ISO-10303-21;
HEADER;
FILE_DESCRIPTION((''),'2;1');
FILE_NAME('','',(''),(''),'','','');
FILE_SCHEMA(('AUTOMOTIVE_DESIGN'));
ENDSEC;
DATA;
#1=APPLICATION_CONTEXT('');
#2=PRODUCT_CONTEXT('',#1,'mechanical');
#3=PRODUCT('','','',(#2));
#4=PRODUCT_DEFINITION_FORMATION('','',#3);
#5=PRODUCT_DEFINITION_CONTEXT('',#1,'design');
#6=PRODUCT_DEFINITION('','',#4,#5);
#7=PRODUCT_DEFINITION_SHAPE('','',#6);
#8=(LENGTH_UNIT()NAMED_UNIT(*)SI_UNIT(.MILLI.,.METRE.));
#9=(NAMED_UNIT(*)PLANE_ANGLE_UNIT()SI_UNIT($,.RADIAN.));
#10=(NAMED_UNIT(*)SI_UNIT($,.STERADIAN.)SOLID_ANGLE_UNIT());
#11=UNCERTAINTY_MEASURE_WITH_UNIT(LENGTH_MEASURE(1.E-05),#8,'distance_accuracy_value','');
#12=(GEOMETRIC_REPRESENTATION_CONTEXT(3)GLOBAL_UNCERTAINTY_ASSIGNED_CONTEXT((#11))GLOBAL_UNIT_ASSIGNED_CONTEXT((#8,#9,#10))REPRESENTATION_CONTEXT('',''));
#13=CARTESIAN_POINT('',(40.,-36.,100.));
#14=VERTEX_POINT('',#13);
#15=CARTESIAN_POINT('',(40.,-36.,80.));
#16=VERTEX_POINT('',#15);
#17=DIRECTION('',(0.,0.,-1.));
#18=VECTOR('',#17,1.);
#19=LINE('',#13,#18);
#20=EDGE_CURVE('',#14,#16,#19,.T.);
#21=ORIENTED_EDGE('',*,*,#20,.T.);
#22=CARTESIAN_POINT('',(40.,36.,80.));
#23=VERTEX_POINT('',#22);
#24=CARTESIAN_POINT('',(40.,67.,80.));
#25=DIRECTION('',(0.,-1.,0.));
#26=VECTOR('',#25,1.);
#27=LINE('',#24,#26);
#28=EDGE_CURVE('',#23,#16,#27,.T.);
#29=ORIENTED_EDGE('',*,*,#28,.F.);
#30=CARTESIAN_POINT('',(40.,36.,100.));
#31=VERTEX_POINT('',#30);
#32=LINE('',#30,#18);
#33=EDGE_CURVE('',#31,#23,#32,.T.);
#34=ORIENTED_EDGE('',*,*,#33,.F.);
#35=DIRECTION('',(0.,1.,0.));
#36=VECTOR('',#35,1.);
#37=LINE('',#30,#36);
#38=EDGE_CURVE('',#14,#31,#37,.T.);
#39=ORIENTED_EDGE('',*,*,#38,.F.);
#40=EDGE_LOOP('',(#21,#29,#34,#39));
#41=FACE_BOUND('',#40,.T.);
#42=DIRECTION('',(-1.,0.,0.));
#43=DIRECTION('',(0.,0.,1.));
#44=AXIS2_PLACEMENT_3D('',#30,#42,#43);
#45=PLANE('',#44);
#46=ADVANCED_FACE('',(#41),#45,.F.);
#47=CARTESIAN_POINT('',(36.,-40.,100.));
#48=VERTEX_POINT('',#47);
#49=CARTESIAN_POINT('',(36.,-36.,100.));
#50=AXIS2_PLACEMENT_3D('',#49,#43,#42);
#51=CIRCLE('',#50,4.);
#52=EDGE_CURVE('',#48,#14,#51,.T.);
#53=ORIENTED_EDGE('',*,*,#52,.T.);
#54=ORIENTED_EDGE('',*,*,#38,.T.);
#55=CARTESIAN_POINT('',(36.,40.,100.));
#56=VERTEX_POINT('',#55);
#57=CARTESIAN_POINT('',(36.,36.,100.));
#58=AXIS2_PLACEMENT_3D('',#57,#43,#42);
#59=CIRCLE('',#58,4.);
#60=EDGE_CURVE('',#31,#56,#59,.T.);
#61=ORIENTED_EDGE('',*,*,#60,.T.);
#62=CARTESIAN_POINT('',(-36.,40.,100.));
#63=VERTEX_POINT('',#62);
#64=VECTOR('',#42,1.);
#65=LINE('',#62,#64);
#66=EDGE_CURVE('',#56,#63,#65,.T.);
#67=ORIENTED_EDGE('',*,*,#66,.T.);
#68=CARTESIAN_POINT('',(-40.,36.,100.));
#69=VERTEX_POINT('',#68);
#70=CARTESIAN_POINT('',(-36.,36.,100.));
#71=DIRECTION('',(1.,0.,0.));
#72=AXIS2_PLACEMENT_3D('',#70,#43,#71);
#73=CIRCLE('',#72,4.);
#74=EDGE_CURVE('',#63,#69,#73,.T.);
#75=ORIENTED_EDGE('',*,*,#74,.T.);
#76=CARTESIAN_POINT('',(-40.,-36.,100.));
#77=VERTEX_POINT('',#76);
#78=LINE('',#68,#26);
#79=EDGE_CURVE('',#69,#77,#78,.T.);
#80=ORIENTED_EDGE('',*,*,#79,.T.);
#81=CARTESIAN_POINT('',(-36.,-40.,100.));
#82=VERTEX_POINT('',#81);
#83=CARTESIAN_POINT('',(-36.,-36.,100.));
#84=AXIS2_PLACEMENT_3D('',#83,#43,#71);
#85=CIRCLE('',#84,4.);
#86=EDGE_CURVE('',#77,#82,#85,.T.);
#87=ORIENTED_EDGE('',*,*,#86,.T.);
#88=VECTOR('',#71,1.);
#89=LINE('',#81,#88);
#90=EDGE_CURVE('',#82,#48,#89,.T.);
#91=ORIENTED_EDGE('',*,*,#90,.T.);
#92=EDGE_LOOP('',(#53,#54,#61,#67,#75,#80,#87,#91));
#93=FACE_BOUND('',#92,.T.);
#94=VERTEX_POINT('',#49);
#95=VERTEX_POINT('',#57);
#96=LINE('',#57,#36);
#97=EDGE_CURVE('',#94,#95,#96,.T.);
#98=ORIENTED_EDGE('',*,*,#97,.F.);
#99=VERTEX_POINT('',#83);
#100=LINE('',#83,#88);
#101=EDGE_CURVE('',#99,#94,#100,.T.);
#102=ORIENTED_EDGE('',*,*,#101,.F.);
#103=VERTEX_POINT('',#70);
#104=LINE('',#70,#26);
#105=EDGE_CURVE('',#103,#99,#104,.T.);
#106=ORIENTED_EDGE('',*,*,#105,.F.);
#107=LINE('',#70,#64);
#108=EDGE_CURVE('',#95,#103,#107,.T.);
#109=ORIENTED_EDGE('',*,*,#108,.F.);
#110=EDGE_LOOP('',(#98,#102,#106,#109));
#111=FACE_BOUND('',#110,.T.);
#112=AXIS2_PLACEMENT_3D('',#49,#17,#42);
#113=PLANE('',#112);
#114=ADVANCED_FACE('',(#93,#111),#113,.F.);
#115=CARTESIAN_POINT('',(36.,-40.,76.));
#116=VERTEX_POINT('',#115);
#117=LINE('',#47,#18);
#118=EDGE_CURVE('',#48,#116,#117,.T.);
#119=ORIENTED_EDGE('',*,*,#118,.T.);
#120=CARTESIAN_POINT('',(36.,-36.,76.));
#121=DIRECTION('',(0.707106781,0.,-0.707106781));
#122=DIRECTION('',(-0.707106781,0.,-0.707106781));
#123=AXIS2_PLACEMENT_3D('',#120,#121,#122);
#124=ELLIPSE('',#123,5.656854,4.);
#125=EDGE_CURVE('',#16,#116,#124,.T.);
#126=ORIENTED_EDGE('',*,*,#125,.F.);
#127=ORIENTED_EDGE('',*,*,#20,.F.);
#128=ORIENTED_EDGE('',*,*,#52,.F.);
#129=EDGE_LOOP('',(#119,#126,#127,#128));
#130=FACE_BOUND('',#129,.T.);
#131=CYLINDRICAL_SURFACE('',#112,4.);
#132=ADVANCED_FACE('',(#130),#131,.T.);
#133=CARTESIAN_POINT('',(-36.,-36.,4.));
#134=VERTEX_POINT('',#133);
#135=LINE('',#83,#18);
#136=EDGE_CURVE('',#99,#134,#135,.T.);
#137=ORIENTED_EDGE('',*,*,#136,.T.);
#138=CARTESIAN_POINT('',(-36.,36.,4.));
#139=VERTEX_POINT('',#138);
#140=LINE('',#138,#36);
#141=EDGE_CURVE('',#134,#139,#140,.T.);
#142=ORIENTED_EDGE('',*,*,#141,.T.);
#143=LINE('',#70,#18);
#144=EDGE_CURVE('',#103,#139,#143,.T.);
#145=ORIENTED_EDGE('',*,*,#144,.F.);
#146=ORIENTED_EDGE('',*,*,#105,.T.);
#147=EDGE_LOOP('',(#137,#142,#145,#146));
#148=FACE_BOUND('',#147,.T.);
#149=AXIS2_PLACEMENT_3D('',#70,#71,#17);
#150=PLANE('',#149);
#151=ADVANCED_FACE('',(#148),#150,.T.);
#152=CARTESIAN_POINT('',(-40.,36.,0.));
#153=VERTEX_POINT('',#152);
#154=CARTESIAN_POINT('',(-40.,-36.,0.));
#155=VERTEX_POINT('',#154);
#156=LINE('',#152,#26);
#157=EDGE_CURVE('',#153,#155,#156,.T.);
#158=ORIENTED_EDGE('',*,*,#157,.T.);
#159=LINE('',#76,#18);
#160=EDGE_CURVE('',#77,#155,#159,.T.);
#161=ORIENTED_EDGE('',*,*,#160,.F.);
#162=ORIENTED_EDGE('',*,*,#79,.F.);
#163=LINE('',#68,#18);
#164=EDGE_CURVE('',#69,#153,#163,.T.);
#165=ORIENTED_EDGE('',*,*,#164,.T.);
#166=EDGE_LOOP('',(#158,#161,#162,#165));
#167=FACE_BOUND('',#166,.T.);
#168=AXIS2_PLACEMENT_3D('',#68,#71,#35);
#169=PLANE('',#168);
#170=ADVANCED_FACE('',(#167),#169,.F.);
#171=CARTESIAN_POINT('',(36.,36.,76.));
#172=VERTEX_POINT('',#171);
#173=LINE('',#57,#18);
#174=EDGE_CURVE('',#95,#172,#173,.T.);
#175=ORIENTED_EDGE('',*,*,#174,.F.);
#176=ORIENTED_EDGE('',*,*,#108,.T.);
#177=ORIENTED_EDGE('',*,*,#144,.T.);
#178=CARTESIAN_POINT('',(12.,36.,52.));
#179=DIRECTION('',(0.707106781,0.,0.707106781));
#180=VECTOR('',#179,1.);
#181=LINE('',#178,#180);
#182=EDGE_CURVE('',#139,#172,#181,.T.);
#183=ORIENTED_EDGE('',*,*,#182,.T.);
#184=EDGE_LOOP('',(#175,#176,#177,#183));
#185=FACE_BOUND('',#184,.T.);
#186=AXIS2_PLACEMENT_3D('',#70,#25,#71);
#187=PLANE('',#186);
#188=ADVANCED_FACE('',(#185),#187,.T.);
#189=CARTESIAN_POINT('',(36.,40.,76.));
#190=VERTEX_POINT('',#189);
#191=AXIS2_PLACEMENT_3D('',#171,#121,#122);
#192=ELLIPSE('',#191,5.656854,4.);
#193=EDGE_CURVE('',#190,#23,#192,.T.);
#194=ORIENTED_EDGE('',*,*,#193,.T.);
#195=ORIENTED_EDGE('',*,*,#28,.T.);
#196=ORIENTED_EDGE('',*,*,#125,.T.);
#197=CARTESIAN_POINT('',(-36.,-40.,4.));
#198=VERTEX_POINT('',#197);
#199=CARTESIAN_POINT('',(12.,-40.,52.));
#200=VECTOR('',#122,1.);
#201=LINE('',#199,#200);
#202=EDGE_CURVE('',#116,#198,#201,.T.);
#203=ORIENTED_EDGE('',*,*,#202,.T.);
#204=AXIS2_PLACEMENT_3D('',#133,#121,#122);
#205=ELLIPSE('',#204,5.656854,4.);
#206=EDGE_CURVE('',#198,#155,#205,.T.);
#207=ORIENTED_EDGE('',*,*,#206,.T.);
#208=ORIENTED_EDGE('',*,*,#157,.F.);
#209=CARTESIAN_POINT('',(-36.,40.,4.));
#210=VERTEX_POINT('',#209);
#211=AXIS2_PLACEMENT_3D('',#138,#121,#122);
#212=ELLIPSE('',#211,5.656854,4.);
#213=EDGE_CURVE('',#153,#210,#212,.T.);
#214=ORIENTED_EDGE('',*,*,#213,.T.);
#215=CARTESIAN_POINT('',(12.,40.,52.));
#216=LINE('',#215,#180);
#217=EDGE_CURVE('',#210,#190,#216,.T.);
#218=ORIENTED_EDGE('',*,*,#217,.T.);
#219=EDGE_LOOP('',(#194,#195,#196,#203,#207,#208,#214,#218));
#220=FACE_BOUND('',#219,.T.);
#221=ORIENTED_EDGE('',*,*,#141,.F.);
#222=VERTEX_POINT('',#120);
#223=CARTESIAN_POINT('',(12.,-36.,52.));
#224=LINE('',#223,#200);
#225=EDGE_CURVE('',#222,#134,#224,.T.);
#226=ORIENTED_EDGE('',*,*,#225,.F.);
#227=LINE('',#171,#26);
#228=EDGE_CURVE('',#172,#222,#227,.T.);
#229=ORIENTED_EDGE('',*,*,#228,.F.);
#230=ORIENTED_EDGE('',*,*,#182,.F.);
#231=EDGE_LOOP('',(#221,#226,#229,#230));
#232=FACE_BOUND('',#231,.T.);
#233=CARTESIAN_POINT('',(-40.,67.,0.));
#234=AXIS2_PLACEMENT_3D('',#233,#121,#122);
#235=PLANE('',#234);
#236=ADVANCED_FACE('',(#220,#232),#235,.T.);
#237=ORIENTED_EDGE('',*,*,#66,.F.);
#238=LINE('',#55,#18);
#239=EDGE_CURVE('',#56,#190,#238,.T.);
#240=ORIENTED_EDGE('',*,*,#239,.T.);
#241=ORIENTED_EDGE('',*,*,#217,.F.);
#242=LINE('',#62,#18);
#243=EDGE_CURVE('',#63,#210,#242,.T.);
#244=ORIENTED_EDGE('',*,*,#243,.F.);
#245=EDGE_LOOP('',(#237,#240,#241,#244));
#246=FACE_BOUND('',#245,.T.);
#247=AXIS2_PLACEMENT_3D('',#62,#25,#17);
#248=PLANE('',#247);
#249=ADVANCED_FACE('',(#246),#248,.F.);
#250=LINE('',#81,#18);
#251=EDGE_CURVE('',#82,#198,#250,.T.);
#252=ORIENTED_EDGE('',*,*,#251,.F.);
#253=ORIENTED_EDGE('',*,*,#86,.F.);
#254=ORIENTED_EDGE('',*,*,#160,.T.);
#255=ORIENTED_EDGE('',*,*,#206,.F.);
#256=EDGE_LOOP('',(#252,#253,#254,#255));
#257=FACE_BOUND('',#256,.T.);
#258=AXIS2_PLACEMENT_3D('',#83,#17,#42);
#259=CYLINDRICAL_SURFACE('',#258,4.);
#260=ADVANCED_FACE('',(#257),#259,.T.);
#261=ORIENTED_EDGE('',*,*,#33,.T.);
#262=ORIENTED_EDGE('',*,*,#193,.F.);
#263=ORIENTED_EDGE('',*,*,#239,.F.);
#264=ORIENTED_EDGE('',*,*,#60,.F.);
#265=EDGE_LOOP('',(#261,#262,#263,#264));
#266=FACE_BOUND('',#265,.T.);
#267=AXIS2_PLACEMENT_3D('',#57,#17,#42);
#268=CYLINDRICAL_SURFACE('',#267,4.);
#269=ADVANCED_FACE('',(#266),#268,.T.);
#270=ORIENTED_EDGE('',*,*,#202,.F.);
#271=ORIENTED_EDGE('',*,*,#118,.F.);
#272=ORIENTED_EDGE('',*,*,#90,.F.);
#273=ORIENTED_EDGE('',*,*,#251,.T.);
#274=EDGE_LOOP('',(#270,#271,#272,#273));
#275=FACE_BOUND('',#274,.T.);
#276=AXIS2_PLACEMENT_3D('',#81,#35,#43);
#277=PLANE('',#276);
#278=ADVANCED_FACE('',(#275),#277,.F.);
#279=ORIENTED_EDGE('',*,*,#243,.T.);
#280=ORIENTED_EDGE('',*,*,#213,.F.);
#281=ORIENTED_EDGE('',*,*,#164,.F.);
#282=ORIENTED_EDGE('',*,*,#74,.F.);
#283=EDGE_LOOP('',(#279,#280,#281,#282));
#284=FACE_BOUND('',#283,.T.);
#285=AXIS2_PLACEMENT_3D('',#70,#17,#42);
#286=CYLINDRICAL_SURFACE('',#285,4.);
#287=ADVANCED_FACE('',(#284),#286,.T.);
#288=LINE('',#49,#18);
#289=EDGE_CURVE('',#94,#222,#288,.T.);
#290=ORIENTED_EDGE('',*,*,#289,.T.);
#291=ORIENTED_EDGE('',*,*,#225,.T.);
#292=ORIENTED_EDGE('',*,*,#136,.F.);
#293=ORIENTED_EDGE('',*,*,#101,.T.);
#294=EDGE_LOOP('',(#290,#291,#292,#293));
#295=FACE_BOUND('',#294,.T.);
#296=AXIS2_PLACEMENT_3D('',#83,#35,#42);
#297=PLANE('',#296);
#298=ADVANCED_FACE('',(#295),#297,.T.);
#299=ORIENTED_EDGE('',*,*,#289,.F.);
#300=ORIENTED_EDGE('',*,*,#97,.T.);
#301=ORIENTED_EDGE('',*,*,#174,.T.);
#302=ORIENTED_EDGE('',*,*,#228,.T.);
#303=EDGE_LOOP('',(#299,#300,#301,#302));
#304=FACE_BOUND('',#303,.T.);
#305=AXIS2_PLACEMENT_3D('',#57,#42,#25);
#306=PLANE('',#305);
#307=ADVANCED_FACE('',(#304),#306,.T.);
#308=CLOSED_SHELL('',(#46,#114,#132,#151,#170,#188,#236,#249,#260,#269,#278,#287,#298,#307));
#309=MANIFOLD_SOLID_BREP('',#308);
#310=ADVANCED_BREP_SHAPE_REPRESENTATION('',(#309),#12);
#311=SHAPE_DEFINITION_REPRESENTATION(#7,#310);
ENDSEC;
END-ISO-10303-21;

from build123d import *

# Parameters (mm, degrees)
IZIM1_W                     = 72
IZIM1_H                     = 72
Y_KSEKLIK_EKSTR_ZYON1_DEPTH = 100
KES_EKSTR_ZYON2_DEPTH       = 67
KES_EKSTR_ZYON2_DEPTH_BACK  = 90


with BuildPart() as part:
    # Çizim1 → Yükseklik-Ekstrüzyon1 (new body)
    with BuildSketch(Plane.XY):
        with BuildLine():
            Line((-36, 40), (36, 40))
            ThreePointArc((36, 40), (38.828427125, 38.828427125), (40, 36))
            Line((40, 36), (40, -36))
            ThreePointArc((40, -36), (38.828427125, -38.828427125), (36, -40))
            Line((36, -40), (-36, -40))
            ThreePointArc((-36, -40), (-38.828427125, -38.828427125), (-40, -36))
            Line((-40, -36), (-40, 36))
            ThreePointArc((-40, 36), (-38.828427125, 38.828427125), (-36, 40))
        make_face()
        Rectangle(IZIM1_W, IZIM1_H, mode=Mode.SUBTRACT)
    extrude(amount=Y_KSEKLIK_EKSTR_ZYON1_DEPTH)

    # Çizim4 → Kes-Ekstrüzyon2 (cut, two sides: drawn at the far end of the back side and taken through both)
    with BuildSketch(Plane(origin=(0, 0, 0), x_dir=(1, 0, 0), z_dir=(0, 1, 0)).offset(-KES_EKSTR_ZYON2_DEPTH_BACK)):
        Polygon((-40, 0), (40, -80), (40, 0), align=None)
    extrude(amount=KES_EKSTR_ZYON2_DEPTH + KES_EKSTR_ZYON2_DEPTH_BACK, mode=Mode.SUBTRACT)


solid = part.part
